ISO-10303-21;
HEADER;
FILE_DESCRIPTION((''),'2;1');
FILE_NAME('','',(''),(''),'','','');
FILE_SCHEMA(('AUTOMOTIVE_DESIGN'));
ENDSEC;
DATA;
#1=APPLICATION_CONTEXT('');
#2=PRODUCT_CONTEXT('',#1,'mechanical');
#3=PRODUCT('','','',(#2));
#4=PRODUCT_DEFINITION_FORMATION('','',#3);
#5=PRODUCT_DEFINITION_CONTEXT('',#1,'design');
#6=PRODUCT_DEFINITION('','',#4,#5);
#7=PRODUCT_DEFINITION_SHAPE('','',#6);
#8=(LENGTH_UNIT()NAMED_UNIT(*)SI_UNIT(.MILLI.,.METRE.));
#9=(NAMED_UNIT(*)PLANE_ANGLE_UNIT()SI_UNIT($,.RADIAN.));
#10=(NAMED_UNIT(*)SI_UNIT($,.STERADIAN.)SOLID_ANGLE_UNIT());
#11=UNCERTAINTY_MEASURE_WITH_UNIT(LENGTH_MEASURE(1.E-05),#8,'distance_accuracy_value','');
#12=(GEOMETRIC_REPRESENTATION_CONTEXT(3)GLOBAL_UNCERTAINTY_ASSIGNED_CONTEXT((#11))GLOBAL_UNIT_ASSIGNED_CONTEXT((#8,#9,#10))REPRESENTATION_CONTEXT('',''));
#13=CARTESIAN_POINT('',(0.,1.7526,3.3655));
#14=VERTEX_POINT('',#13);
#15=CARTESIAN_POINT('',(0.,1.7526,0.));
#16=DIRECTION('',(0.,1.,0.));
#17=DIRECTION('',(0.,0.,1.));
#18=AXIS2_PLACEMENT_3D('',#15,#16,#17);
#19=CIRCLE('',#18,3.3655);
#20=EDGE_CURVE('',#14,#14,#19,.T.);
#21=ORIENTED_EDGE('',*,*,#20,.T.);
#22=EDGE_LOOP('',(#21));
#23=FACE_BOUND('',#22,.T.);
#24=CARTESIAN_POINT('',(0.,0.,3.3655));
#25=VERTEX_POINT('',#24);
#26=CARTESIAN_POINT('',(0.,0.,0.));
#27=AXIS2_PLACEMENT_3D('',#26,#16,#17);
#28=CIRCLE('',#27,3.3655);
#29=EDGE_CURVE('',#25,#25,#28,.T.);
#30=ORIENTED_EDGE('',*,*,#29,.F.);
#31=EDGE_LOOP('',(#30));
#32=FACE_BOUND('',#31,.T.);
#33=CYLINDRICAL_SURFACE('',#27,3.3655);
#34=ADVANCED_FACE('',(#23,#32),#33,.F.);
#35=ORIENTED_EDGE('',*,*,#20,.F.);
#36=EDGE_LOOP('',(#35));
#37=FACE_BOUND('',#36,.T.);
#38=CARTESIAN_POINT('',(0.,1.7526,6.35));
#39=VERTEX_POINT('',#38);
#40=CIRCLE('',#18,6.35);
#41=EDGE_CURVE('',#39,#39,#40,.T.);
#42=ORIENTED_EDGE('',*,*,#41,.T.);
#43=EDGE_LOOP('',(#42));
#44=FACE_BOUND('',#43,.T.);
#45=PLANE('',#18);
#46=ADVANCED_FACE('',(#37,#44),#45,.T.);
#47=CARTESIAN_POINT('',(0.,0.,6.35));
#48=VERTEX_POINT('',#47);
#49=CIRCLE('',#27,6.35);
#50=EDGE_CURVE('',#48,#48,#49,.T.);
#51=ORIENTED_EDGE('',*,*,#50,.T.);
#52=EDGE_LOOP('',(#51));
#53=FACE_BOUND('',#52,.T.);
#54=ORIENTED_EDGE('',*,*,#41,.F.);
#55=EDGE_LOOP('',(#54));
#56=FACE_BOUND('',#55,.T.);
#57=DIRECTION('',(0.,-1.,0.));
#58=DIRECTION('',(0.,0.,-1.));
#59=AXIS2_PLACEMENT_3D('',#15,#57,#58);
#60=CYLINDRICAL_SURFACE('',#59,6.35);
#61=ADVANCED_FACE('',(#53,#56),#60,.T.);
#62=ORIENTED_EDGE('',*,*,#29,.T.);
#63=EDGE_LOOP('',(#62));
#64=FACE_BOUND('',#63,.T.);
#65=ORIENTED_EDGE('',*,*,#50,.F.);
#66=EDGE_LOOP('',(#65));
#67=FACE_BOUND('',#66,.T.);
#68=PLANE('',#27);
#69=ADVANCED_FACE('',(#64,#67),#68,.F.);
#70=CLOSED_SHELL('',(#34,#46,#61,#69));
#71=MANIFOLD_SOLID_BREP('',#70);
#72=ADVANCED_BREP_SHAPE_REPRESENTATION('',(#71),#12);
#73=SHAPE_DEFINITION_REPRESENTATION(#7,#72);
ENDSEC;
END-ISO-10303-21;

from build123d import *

# Parameters (mm, degrees)
SKETCH1_R           = 6.35
BOSS_EXTRUDE1_DEPTH = 1.7526
SKETCH5_R           = 3.3655
CUT_EXTRUDE1_DEPTH  = 2.7526


with BuildPart() as part:
    # Sketch1 → Boss-Extrude1 (new body)
    with BuildSketch(Plane(origin=(0, 0, 0), x_dir=(1, 0, 0), z_dir=(0, 1, 0))):
        Circle(SKETCH1_R)
    extrude(amount=BOSS_EXTRUDE1_DEPTH)

    # Sketch5 → Cut-Extrude1 (cut, through all)
    with BuildSketch(Plane(origin=(0, 1.7526, 0), x_dir=(-1, 0, 0), z_dir=(0, 1, 0))):
        Circle(SKETCH5_R)
    extrude(amount=-CUT_EXTRUDE1_DEPTH, mode=Mode.SUBTRACT)


solid = part.part
